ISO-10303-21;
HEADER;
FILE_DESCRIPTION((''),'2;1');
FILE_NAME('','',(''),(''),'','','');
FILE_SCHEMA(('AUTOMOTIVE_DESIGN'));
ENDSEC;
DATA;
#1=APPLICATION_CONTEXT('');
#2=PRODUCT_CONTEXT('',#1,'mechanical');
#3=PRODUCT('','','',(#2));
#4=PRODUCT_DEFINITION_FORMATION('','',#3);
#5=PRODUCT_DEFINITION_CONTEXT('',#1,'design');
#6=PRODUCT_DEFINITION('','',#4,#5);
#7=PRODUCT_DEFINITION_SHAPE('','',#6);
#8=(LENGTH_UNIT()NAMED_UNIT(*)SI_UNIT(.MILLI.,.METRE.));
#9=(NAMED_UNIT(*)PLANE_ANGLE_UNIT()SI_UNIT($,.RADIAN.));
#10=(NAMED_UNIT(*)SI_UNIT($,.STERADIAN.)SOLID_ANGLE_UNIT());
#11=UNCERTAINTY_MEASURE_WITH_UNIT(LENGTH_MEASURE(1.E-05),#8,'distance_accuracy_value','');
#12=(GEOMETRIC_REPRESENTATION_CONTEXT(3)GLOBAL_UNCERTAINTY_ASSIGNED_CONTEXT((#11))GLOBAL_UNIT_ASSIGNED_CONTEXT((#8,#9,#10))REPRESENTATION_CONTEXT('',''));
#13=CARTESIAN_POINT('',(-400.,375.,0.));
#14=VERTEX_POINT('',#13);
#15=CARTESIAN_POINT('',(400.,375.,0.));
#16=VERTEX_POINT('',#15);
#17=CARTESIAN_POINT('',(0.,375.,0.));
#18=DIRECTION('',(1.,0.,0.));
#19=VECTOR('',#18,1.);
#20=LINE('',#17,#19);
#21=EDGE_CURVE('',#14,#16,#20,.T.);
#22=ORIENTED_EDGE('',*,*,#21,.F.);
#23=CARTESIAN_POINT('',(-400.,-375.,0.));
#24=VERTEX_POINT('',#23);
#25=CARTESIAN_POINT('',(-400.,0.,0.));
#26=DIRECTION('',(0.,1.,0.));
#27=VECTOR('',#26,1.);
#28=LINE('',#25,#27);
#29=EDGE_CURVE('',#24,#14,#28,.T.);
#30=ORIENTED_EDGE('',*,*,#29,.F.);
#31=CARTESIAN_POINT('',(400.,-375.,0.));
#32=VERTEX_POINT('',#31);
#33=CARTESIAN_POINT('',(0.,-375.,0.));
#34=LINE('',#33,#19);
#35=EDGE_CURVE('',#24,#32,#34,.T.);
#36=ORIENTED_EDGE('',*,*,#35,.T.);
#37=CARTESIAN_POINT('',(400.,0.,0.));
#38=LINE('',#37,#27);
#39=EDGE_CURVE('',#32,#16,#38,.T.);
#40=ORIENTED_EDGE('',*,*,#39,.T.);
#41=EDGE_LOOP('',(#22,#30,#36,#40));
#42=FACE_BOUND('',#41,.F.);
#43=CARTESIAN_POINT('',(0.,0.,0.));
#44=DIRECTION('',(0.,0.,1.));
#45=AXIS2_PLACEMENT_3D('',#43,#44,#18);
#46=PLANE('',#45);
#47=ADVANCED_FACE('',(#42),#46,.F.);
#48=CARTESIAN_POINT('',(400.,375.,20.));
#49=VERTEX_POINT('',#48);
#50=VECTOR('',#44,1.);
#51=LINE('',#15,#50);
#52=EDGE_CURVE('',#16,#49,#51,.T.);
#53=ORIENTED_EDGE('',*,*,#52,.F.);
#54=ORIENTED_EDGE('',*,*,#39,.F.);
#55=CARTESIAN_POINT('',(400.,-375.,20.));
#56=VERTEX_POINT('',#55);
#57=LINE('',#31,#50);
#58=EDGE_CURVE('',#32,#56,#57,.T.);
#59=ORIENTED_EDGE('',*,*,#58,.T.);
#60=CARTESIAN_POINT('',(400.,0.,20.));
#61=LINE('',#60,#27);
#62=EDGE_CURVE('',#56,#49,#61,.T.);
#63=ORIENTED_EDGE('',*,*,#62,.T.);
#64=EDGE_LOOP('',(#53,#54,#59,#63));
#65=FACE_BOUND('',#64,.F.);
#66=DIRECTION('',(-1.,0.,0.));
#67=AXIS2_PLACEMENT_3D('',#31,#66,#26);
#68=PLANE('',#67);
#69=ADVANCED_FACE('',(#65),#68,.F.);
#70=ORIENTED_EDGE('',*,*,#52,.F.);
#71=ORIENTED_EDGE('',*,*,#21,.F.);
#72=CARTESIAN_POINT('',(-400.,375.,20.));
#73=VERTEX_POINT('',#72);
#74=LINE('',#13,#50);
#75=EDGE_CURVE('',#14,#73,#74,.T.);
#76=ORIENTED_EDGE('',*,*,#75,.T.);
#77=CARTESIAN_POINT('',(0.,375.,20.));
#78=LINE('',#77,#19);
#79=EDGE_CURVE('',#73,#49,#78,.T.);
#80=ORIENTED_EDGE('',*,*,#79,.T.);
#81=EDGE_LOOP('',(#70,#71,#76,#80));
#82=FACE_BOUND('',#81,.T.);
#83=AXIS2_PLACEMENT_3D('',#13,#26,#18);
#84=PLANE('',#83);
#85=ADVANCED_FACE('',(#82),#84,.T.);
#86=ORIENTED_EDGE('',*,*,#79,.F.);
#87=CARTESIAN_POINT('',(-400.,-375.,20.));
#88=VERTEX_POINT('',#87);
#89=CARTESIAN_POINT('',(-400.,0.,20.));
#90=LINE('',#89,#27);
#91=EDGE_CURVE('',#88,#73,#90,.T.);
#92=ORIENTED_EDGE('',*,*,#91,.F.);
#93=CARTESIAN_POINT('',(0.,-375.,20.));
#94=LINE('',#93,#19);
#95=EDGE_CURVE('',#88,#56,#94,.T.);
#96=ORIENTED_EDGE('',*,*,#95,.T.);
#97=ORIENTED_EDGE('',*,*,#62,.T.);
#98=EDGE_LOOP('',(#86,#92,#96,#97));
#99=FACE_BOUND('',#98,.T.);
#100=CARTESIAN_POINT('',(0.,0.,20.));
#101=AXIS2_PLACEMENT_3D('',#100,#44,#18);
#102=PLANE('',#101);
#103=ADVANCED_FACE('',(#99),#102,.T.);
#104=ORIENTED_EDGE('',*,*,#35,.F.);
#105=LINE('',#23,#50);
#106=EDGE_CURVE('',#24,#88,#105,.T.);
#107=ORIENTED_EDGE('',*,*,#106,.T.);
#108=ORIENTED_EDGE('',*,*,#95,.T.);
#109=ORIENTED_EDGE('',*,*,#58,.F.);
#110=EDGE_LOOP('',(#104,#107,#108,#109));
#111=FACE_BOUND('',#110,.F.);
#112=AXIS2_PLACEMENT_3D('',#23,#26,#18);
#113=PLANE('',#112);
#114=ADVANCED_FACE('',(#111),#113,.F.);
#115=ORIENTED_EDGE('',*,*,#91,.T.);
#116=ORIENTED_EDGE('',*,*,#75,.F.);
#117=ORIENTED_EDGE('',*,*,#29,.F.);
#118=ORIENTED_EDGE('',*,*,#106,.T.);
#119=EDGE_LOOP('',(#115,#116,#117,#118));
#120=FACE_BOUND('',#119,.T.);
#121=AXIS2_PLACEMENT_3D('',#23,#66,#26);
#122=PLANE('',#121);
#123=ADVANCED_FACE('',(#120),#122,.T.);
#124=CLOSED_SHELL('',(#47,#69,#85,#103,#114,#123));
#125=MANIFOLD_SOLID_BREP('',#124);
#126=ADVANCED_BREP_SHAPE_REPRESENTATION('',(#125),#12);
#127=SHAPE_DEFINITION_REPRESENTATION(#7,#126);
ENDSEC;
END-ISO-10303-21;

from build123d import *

# Parameters (mm, degrees)
SKETCH_W  = 800
SKETCH_H  = 750
PAD_DEPTH = 20


with BuildPart() as part:
    # Sketch → Pad (new body)
    with BuildSketch(Plane.XY):
        Rectangle(SKETCH_W, SKETCH_H)
    extrude(amount=PAD_DEPTH)


solid = part.part
